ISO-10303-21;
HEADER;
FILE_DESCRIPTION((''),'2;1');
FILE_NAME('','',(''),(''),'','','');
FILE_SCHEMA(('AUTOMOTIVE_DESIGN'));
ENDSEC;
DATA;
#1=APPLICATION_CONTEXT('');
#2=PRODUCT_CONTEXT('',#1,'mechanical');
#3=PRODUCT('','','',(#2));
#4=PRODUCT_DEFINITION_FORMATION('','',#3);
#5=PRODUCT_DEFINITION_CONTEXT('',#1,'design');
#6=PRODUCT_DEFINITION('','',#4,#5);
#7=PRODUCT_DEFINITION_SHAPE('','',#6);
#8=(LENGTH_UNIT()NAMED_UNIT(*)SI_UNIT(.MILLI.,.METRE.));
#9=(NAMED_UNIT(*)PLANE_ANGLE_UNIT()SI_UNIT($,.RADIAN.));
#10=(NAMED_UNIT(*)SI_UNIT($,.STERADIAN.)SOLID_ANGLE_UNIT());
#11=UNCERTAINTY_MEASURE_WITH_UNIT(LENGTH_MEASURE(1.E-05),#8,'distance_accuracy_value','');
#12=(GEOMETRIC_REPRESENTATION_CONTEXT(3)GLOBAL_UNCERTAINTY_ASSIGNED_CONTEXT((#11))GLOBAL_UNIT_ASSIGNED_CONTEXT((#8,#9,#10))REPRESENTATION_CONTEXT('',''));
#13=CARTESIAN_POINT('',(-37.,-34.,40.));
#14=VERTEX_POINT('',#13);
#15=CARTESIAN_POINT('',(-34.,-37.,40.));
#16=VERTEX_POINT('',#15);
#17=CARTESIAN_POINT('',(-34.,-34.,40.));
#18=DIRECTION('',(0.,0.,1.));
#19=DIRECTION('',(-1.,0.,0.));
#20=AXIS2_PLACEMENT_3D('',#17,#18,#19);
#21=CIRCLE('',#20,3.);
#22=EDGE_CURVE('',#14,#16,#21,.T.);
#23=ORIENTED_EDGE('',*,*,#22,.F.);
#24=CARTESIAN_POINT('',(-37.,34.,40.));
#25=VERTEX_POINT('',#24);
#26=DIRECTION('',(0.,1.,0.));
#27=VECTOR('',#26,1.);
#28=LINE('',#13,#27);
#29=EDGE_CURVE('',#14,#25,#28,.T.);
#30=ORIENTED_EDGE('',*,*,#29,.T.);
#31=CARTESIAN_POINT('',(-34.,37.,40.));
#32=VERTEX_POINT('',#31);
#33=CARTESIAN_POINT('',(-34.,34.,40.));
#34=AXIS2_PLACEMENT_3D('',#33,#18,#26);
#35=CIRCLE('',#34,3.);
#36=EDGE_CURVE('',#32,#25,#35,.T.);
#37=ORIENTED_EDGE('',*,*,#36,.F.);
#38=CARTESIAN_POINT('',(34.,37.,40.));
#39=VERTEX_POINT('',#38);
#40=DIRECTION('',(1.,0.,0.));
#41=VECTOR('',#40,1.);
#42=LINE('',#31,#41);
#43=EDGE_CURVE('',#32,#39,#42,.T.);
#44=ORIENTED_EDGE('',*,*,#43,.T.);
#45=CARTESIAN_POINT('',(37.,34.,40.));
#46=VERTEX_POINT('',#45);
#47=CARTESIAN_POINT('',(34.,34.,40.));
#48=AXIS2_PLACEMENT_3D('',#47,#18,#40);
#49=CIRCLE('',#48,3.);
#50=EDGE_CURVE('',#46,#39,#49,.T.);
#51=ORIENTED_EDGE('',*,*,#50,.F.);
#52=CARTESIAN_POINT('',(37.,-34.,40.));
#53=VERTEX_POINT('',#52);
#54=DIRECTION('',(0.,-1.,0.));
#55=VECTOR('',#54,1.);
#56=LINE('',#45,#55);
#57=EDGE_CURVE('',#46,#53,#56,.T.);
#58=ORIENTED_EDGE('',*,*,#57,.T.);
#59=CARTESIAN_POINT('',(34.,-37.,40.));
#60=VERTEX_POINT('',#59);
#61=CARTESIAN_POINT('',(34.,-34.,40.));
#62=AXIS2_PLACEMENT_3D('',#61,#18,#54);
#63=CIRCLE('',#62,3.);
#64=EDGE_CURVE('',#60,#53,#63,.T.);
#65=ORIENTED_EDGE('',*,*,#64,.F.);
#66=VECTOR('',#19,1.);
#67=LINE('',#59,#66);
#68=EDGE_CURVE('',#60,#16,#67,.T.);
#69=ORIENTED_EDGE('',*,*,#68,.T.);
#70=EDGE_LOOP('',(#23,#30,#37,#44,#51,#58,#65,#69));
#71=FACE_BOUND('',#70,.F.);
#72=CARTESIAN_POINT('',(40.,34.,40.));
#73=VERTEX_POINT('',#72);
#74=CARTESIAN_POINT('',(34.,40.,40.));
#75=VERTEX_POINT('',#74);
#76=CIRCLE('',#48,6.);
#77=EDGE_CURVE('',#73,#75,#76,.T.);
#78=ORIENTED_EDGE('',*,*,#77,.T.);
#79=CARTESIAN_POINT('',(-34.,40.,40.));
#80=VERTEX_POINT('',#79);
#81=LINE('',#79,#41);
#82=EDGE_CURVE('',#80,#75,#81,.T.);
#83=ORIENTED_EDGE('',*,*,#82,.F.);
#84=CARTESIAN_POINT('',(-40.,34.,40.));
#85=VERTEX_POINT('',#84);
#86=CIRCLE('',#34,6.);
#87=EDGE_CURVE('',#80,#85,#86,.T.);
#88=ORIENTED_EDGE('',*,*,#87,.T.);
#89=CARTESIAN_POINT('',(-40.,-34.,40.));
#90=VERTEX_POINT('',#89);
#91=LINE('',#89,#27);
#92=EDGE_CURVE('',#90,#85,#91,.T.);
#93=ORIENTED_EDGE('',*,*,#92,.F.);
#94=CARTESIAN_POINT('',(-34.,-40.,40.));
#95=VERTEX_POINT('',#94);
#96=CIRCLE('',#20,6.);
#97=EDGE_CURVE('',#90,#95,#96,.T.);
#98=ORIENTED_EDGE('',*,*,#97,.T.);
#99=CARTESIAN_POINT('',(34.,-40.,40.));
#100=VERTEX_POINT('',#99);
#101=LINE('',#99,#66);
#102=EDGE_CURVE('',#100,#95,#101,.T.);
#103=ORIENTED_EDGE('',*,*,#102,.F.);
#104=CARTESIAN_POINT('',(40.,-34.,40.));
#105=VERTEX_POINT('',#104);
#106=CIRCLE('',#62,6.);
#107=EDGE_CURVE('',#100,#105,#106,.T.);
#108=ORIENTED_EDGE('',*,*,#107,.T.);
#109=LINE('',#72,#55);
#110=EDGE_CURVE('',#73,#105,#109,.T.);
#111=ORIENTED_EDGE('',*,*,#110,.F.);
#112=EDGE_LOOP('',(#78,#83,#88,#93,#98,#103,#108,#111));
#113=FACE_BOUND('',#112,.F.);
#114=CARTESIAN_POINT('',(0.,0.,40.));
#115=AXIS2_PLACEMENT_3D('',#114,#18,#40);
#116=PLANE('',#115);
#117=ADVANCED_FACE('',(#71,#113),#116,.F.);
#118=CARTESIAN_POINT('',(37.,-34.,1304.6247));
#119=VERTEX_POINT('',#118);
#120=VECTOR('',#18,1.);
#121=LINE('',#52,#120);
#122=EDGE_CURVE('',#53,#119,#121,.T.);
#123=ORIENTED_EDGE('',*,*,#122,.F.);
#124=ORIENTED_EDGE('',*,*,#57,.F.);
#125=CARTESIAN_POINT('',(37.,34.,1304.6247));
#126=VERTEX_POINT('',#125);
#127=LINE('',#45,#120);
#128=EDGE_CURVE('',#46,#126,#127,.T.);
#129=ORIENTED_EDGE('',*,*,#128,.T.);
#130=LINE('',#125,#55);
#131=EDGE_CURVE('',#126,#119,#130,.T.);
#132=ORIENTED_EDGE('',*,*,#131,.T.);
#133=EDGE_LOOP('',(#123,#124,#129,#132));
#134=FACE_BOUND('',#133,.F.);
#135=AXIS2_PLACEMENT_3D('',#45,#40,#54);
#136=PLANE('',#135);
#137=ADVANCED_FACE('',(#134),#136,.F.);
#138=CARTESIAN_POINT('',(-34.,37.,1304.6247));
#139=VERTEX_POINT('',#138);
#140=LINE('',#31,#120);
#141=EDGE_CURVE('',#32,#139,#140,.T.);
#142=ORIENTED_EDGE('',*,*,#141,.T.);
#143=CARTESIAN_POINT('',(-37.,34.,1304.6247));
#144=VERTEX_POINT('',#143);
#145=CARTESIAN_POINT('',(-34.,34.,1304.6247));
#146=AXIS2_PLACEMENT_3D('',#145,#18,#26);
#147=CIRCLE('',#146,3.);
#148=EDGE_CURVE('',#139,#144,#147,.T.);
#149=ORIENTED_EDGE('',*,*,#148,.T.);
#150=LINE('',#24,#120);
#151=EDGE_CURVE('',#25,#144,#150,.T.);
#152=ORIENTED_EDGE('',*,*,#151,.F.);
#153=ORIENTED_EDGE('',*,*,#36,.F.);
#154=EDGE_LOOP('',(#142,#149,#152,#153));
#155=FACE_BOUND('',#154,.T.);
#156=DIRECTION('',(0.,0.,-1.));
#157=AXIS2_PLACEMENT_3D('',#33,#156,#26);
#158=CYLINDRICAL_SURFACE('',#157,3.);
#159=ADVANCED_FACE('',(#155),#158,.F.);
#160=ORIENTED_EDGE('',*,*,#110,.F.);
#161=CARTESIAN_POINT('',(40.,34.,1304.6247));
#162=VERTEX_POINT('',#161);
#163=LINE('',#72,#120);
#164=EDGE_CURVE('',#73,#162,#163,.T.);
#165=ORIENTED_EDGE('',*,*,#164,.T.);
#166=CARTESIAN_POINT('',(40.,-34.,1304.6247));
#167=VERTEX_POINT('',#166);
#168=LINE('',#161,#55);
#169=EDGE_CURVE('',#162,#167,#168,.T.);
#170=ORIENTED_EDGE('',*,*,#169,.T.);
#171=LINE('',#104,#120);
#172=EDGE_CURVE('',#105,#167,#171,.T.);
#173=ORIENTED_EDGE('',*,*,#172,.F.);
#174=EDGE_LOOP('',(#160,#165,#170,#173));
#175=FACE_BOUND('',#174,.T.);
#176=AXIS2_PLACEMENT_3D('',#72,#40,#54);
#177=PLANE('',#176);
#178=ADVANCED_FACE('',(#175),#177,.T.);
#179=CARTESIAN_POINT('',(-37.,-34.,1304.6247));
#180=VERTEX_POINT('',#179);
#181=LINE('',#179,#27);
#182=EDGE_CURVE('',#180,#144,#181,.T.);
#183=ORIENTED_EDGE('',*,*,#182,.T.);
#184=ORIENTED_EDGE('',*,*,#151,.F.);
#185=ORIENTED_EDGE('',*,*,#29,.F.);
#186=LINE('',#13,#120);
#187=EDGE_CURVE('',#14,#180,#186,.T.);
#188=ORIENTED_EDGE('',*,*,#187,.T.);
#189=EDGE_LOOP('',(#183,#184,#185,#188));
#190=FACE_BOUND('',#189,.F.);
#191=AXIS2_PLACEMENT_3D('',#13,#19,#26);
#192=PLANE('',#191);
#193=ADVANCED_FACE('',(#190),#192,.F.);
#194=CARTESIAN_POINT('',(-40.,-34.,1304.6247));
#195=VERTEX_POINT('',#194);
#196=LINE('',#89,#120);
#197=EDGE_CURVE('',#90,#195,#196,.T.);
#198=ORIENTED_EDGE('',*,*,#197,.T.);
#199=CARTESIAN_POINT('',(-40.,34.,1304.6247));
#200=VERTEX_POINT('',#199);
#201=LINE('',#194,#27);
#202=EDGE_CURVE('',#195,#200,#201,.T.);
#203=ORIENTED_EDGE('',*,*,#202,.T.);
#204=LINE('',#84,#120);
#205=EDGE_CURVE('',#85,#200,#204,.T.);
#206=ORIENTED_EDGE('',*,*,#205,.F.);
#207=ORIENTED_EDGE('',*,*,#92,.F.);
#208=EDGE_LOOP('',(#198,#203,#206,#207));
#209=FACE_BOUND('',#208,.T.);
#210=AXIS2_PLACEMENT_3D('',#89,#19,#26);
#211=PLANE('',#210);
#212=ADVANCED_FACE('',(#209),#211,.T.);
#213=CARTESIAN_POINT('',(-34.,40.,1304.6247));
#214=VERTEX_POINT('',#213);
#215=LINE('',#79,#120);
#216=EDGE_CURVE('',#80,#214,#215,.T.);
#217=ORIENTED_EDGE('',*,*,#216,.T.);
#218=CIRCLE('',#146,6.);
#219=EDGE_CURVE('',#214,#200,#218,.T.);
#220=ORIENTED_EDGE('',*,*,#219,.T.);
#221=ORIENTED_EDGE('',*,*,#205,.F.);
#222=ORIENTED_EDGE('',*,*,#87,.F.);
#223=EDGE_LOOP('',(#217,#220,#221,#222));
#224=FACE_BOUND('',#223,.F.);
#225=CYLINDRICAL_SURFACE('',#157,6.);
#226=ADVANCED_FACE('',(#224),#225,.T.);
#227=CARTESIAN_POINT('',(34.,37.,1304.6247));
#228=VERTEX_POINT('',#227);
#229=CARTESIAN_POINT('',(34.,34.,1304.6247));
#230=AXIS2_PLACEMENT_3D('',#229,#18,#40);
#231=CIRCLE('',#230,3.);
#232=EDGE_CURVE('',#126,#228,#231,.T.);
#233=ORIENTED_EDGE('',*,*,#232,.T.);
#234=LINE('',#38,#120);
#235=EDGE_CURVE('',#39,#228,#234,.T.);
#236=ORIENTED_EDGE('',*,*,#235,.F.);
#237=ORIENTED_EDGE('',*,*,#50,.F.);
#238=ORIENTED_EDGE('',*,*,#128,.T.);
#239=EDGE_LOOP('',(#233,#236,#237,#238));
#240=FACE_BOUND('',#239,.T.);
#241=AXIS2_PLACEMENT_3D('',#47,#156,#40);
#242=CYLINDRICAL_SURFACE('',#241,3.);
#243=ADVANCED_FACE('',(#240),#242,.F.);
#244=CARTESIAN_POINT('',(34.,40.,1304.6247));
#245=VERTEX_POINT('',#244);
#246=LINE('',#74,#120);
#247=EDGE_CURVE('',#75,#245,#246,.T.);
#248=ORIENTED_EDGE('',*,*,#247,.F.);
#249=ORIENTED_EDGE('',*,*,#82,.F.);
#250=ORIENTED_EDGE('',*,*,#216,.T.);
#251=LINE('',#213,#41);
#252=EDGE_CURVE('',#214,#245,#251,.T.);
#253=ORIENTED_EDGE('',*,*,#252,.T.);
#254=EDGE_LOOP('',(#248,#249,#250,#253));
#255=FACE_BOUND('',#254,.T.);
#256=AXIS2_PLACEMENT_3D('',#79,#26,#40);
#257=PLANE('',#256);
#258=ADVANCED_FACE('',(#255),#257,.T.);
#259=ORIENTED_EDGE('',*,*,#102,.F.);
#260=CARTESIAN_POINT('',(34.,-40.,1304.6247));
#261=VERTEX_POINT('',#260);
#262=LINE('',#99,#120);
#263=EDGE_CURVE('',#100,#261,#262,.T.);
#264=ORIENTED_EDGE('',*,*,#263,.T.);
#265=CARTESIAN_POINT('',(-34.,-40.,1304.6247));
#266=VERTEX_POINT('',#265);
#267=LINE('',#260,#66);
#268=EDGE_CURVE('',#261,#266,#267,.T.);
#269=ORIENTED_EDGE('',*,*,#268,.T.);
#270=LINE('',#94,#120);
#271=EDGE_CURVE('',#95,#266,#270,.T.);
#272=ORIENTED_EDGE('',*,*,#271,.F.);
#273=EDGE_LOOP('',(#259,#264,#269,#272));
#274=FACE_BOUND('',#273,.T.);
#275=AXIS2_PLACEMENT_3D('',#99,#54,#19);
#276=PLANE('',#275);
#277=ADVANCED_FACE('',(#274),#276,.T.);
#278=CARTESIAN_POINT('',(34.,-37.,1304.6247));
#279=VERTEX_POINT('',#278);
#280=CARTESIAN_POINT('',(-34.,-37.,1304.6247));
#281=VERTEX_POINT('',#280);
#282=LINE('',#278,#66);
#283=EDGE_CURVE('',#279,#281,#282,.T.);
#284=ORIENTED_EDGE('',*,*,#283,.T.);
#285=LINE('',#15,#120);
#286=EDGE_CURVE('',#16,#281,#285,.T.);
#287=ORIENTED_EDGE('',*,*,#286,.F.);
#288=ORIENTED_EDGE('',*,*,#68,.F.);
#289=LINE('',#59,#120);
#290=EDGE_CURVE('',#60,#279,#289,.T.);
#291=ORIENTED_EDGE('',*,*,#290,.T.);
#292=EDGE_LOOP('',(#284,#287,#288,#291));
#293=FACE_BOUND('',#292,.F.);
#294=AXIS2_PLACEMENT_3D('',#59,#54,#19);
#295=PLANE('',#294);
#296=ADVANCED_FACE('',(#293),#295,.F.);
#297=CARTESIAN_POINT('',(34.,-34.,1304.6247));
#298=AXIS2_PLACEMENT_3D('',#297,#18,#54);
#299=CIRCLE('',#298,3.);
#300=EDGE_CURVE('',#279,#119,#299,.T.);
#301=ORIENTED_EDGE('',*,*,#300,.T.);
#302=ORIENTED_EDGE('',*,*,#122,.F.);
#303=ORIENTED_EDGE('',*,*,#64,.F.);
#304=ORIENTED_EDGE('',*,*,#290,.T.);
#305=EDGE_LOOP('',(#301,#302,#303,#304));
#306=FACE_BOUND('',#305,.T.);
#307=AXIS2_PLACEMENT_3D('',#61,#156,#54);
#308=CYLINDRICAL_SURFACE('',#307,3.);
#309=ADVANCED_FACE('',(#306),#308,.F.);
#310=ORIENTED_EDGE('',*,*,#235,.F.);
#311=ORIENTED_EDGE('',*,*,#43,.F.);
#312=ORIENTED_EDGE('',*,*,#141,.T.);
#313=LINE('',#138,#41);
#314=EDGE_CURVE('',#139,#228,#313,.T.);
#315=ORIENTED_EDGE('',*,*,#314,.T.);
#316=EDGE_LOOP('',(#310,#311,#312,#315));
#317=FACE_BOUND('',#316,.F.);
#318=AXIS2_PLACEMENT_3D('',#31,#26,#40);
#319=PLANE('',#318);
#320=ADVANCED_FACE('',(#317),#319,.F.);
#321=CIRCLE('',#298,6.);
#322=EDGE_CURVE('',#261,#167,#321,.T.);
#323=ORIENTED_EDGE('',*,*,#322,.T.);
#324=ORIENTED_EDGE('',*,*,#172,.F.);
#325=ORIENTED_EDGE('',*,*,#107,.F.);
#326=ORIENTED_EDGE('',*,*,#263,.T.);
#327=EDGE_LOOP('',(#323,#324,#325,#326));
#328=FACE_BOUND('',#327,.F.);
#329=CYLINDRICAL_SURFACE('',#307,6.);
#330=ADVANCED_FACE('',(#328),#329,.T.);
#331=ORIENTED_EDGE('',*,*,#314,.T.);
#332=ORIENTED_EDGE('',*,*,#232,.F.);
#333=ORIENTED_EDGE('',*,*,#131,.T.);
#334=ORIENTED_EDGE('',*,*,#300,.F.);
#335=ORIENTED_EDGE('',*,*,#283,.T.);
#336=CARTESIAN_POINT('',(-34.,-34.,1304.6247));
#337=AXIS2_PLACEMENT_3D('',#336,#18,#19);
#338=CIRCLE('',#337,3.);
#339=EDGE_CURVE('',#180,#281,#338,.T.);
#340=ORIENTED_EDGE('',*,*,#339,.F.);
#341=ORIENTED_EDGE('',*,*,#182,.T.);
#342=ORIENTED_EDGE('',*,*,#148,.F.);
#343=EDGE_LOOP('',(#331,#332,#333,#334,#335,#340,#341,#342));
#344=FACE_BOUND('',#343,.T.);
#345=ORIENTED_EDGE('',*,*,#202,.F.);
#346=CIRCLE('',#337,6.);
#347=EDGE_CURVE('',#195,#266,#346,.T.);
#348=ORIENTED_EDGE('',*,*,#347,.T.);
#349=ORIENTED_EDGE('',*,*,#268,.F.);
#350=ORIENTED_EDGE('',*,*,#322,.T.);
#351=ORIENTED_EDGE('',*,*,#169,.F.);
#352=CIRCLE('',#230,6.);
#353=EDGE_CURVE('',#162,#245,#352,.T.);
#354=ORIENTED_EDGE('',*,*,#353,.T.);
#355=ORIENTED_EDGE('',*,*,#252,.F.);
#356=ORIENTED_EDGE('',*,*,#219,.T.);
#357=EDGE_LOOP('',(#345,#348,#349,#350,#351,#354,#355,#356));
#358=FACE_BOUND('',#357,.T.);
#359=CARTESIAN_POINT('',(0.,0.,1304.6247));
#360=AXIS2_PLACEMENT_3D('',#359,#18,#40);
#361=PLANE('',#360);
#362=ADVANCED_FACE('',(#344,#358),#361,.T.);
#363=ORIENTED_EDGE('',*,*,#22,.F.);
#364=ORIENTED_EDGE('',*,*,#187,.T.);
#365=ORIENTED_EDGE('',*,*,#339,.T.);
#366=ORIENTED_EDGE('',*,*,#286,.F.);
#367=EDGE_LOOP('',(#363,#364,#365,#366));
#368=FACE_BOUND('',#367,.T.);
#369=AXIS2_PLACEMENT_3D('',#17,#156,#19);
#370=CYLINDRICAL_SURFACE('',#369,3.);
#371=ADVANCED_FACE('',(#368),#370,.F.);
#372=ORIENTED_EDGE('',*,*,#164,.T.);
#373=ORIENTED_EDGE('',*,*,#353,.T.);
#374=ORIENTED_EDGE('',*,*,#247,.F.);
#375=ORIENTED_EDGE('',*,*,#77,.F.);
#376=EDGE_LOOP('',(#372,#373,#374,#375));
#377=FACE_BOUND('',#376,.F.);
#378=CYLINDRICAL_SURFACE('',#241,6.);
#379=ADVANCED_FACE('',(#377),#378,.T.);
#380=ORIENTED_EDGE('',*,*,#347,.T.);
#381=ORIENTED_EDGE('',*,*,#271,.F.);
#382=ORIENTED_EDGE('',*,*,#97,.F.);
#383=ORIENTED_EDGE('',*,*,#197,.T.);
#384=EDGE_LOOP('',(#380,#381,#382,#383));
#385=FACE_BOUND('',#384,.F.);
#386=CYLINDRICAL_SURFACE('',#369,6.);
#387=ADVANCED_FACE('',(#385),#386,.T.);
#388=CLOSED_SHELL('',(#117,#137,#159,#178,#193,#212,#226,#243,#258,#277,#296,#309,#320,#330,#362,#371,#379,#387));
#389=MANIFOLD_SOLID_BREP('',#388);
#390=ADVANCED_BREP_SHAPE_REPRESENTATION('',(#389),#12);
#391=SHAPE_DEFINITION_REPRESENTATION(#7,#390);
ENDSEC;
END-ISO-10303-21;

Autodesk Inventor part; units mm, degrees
ref_plane "YZ Plane" through (0, 0, 0) normal (1, 0, 0) x (0, 1, 0)
ref_plane "Start Plane" through (0, 0, 40) normal (0, 0, 1) x (1, 0, 0)
ref_plane "End Plane" through (0, 0, 1304.6247) normal (0, 0, 1) x (1, 0, 0)
sketch "Sketch" plane through (0, 0, 0) normal (0, 0, 1) x (1, 0, 0)
  line L0 (-40, -34) -> (-40, 34)
  line L1 (-34, 40) -> (34, 40)
  line L2 (40, 34) -> (40, -34)
  line L3 (34, -40) -> (-34, -40)
  arc A0 (-40, -34) -> (-34, -40) centre (-34, -34) ccw
  arc A1 (40, 34) -> (34, 40) centre (34, 34) ccw
  arc A2 (-34, 40) -> (-40, 34) centre (-34, 34) ccw
  arc A3 (34, -40) -> (40, -34) centre (34, -34) ccw
  arc A4 (-34, 37) -> (-37, 34) centre (-34, 34) ccw
  line L4 (-34, 37) -> (34, 37)
  arc A5 (37, 34) -> (34, 37) centre (34, 34) ccw
  line L5 (37, 34) -> (37, -34)
  arc A6 (34, -37) -> (37, -34) centre (34, -34) ccw
  line L6 (34, -37) -> (-34, -37)
  arc A7 (-37, -34) -> (-34, -37) centre (-34, -34) ccw
  line L7 (-37, -34) -> (-37, 34)
  line L8 (0, 57.7397) -> (0, -57.7397) construction
  line L9 (-57.7397, 0) -> (57.7397, 0) construction
  dimension "d7" = 6
  dimension "d9" = 80
  dimension "d11" = 80
  dimension "d12" = 3
  dimension "d15" = 40
  dimension "d16" = 40
extrude "Body" add sketch "Sketch" along normal up to surface (1264.6247 mm away) from surface at 40
sketch "Sketch3" plane through (0, 0, 0) normal (0, 0, 1) x (1, 0, 0)
  line L0 (0, 0) -> (10, 0)
ref_plane "Work Plane3" through (0, 0, 0) normal (0, -1, 0) x (1, 0, 0)
sketch "Sketch4" plane through (0, 0, 0) normal (0, -1, 0) x (1, 0, 0)
  line L0 (-2, 40) -> (12, 40) projected
  line L1 (-2, 1304.6247) -> (12, 1304.6247) projected
  dimension "d18" = 1264.6247
equation "\"d7\" = G_IR"
equation "\"d9\" = G_W"
equation "\"d11\" = G_H"
equation "\"d12\" = G_T"
equation "\"d15\" = 0.5 * d9"
equation "\"d16\" = 0.5 * d11"
equation "\"d3\" = G_L"
equation "\"G_W\" = 80"
equation "\"G_H\" = 80"
equation "\"G_T\" = 3"
equation "\"G_IR\" = 6"
equation "\"G_L\" = d18"
equation "\"d14\" = G_OFFSET_END + B_L"
equation "\"B_L\" = 1344.62468"
equation "\"G_OFFSET_END\" = -40"
properties part number "ISO 10799-2 - 80x80x3 - 1264,62" material "Steel, Mild"
